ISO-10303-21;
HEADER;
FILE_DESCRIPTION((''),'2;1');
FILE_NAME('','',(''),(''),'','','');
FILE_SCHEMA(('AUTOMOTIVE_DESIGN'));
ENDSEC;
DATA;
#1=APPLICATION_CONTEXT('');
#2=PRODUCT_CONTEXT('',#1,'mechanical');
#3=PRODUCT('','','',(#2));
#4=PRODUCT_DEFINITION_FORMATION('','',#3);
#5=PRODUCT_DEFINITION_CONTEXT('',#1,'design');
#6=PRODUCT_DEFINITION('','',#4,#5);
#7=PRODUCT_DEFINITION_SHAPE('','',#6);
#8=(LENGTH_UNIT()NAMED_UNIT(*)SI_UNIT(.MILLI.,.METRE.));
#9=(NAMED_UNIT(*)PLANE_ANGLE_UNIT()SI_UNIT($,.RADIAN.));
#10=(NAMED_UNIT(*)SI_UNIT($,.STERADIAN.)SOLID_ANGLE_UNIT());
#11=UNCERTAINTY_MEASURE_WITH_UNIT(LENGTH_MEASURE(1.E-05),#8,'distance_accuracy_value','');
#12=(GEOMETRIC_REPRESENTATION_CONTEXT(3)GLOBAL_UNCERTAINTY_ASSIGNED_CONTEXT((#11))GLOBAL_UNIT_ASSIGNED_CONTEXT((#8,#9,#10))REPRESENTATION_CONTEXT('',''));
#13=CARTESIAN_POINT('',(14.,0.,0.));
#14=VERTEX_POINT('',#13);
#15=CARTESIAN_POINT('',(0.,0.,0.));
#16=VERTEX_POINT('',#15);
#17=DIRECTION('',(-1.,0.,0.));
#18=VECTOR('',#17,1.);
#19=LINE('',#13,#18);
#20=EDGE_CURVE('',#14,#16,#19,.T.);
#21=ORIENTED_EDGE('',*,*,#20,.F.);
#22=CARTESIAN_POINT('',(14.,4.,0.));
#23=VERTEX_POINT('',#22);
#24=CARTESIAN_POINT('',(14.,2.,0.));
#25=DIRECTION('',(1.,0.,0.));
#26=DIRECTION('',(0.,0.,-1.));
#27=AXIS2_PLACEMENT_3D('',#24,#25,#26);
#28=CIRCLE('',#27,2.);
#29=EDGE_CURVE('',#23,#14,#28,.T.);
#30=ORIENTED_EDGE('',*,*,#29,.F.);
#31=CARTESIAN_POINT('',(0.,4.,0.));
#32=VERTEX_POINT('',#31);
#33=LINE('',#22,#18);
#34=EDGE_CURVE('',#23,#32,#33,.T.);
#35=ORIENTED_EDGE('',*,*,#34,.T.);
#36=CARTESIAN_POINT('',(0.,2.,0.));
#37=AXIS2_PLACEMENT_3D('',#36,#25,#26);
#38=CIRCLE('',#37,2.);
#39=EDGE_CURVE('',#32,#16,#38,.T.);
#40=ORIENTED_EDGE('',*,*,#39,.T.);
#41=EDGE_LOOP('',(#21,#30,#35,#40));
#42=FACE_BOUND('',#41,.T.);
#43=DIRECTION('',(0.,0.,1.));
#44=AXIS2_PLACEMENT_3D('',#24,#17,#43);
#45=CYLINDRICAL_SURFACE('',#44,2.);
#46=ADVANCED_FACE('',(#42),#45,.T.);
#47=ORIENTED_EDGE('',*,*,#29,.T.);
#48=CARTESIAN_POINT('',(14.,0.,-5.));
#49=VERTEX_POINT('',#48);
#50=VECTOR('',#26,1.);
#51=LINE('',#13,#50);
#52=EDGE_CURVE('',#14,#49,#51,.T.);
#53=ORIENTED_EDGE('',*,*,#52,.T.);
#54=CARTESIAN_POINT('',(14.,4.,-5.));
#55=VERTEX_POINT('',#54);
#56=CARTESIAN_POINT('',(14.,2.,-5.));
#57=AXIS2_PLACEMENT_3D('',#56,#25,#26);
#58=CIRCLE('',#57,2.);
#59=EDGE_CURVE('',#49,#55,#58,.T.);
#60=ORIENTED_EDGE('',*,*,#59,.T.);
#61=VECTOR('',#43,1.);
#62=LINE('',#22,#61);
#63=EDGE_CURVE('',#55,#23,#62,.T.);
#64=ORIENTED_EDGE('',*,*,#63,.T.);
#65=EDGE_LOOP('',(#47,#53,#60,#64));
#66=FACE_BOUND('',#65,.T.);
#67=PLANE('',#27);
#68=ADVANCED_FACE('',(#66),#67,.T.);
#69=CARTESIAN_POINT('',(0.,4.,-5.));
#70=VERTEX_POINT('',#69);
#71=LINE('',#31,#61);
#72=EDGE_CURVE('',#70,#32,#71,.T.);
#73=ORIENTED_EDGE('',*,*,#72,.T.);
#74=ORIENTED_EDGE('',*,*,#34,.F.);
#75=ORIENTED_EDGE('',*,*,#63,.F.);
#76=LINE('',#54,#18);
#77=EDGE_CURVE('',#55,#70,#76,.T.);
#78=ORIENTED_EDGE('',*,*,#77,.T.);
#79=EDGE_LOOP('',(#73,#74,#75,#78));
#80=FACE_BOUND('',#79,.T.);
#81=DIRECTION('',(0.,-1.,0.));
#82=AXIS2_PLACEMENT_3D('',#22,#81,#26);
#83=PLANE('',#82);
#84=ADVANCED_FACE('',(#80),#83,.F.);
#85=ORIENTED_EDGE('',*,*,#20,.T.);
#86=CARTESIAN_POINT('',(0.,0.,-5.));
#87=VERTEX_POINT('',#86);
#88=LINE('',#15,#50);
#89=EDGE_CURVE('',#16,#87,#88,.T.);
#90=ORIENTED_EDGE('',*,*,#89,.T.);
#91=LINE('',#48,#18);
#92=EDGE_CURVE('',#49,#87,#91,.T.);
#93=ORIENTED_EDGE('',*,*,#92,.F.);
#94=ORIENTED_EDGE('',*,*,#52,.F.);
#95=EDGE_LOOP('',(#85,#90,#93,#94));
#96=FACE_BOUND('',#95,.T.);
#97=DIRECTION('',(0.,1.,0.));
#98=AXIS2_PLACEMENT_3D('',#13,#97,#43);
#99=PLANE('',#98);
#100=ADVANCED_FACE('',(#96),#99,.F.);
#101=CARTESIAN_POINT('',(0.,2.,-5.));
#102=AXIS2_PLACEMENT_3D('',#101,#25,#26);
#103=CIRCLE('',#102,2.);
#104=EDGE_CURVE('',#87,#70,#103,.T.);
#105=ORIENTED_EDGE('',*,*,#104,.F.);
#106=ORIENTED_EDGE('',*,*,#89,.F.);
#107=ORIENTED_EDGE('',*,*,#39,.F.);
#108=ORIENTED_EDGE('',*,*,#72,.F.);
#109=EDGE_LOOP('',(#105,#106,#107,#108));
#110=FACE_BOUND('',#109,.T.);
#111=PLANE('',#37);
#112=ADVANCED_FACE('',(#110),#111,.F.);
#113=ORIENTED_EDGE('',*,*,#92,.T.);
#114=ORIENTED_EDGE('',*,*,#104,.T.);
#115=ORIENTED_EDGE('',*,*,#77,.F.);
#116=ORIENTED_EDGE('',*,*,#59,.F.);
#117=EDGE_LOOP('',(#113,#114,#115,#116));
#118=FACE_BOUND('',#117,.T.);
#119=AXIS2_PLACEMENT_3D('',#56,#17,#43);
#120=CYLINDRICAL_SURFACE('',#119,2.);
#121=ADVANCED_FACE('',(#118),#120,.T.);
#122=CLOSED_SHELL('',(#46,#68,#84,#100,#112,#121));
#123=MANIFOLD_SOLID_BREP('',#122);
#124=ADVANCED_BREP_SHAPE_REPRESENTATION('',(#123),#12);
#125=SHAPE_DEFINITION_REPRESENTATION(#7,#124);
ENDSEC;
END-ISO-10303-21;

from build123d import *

# Parameters (mm, degrees)
BOSS_EXTRUDE1_DEPTH = 14


with BuildPart() as part:
    # Sketch1 → Boss-Extrude1 (new body)
    with BuildSketch(Plane(origin=(0, 0, 0), x_dir=(0, 0, -1), z_dir=(1, 0, 0))):
        with BuildLine():
            Line((0, 0), (5, 0))
            ThreePointArc((5, 0), (7, 2), (5, 4))
            Line((5, 4), (0, 4))
            ThreePointArc((0, 4), (-2, 2), (0, 0))
        make_face()
    extrude(amount=BOSS_EXTRUDE1_DEPTH)


solid = part.part
